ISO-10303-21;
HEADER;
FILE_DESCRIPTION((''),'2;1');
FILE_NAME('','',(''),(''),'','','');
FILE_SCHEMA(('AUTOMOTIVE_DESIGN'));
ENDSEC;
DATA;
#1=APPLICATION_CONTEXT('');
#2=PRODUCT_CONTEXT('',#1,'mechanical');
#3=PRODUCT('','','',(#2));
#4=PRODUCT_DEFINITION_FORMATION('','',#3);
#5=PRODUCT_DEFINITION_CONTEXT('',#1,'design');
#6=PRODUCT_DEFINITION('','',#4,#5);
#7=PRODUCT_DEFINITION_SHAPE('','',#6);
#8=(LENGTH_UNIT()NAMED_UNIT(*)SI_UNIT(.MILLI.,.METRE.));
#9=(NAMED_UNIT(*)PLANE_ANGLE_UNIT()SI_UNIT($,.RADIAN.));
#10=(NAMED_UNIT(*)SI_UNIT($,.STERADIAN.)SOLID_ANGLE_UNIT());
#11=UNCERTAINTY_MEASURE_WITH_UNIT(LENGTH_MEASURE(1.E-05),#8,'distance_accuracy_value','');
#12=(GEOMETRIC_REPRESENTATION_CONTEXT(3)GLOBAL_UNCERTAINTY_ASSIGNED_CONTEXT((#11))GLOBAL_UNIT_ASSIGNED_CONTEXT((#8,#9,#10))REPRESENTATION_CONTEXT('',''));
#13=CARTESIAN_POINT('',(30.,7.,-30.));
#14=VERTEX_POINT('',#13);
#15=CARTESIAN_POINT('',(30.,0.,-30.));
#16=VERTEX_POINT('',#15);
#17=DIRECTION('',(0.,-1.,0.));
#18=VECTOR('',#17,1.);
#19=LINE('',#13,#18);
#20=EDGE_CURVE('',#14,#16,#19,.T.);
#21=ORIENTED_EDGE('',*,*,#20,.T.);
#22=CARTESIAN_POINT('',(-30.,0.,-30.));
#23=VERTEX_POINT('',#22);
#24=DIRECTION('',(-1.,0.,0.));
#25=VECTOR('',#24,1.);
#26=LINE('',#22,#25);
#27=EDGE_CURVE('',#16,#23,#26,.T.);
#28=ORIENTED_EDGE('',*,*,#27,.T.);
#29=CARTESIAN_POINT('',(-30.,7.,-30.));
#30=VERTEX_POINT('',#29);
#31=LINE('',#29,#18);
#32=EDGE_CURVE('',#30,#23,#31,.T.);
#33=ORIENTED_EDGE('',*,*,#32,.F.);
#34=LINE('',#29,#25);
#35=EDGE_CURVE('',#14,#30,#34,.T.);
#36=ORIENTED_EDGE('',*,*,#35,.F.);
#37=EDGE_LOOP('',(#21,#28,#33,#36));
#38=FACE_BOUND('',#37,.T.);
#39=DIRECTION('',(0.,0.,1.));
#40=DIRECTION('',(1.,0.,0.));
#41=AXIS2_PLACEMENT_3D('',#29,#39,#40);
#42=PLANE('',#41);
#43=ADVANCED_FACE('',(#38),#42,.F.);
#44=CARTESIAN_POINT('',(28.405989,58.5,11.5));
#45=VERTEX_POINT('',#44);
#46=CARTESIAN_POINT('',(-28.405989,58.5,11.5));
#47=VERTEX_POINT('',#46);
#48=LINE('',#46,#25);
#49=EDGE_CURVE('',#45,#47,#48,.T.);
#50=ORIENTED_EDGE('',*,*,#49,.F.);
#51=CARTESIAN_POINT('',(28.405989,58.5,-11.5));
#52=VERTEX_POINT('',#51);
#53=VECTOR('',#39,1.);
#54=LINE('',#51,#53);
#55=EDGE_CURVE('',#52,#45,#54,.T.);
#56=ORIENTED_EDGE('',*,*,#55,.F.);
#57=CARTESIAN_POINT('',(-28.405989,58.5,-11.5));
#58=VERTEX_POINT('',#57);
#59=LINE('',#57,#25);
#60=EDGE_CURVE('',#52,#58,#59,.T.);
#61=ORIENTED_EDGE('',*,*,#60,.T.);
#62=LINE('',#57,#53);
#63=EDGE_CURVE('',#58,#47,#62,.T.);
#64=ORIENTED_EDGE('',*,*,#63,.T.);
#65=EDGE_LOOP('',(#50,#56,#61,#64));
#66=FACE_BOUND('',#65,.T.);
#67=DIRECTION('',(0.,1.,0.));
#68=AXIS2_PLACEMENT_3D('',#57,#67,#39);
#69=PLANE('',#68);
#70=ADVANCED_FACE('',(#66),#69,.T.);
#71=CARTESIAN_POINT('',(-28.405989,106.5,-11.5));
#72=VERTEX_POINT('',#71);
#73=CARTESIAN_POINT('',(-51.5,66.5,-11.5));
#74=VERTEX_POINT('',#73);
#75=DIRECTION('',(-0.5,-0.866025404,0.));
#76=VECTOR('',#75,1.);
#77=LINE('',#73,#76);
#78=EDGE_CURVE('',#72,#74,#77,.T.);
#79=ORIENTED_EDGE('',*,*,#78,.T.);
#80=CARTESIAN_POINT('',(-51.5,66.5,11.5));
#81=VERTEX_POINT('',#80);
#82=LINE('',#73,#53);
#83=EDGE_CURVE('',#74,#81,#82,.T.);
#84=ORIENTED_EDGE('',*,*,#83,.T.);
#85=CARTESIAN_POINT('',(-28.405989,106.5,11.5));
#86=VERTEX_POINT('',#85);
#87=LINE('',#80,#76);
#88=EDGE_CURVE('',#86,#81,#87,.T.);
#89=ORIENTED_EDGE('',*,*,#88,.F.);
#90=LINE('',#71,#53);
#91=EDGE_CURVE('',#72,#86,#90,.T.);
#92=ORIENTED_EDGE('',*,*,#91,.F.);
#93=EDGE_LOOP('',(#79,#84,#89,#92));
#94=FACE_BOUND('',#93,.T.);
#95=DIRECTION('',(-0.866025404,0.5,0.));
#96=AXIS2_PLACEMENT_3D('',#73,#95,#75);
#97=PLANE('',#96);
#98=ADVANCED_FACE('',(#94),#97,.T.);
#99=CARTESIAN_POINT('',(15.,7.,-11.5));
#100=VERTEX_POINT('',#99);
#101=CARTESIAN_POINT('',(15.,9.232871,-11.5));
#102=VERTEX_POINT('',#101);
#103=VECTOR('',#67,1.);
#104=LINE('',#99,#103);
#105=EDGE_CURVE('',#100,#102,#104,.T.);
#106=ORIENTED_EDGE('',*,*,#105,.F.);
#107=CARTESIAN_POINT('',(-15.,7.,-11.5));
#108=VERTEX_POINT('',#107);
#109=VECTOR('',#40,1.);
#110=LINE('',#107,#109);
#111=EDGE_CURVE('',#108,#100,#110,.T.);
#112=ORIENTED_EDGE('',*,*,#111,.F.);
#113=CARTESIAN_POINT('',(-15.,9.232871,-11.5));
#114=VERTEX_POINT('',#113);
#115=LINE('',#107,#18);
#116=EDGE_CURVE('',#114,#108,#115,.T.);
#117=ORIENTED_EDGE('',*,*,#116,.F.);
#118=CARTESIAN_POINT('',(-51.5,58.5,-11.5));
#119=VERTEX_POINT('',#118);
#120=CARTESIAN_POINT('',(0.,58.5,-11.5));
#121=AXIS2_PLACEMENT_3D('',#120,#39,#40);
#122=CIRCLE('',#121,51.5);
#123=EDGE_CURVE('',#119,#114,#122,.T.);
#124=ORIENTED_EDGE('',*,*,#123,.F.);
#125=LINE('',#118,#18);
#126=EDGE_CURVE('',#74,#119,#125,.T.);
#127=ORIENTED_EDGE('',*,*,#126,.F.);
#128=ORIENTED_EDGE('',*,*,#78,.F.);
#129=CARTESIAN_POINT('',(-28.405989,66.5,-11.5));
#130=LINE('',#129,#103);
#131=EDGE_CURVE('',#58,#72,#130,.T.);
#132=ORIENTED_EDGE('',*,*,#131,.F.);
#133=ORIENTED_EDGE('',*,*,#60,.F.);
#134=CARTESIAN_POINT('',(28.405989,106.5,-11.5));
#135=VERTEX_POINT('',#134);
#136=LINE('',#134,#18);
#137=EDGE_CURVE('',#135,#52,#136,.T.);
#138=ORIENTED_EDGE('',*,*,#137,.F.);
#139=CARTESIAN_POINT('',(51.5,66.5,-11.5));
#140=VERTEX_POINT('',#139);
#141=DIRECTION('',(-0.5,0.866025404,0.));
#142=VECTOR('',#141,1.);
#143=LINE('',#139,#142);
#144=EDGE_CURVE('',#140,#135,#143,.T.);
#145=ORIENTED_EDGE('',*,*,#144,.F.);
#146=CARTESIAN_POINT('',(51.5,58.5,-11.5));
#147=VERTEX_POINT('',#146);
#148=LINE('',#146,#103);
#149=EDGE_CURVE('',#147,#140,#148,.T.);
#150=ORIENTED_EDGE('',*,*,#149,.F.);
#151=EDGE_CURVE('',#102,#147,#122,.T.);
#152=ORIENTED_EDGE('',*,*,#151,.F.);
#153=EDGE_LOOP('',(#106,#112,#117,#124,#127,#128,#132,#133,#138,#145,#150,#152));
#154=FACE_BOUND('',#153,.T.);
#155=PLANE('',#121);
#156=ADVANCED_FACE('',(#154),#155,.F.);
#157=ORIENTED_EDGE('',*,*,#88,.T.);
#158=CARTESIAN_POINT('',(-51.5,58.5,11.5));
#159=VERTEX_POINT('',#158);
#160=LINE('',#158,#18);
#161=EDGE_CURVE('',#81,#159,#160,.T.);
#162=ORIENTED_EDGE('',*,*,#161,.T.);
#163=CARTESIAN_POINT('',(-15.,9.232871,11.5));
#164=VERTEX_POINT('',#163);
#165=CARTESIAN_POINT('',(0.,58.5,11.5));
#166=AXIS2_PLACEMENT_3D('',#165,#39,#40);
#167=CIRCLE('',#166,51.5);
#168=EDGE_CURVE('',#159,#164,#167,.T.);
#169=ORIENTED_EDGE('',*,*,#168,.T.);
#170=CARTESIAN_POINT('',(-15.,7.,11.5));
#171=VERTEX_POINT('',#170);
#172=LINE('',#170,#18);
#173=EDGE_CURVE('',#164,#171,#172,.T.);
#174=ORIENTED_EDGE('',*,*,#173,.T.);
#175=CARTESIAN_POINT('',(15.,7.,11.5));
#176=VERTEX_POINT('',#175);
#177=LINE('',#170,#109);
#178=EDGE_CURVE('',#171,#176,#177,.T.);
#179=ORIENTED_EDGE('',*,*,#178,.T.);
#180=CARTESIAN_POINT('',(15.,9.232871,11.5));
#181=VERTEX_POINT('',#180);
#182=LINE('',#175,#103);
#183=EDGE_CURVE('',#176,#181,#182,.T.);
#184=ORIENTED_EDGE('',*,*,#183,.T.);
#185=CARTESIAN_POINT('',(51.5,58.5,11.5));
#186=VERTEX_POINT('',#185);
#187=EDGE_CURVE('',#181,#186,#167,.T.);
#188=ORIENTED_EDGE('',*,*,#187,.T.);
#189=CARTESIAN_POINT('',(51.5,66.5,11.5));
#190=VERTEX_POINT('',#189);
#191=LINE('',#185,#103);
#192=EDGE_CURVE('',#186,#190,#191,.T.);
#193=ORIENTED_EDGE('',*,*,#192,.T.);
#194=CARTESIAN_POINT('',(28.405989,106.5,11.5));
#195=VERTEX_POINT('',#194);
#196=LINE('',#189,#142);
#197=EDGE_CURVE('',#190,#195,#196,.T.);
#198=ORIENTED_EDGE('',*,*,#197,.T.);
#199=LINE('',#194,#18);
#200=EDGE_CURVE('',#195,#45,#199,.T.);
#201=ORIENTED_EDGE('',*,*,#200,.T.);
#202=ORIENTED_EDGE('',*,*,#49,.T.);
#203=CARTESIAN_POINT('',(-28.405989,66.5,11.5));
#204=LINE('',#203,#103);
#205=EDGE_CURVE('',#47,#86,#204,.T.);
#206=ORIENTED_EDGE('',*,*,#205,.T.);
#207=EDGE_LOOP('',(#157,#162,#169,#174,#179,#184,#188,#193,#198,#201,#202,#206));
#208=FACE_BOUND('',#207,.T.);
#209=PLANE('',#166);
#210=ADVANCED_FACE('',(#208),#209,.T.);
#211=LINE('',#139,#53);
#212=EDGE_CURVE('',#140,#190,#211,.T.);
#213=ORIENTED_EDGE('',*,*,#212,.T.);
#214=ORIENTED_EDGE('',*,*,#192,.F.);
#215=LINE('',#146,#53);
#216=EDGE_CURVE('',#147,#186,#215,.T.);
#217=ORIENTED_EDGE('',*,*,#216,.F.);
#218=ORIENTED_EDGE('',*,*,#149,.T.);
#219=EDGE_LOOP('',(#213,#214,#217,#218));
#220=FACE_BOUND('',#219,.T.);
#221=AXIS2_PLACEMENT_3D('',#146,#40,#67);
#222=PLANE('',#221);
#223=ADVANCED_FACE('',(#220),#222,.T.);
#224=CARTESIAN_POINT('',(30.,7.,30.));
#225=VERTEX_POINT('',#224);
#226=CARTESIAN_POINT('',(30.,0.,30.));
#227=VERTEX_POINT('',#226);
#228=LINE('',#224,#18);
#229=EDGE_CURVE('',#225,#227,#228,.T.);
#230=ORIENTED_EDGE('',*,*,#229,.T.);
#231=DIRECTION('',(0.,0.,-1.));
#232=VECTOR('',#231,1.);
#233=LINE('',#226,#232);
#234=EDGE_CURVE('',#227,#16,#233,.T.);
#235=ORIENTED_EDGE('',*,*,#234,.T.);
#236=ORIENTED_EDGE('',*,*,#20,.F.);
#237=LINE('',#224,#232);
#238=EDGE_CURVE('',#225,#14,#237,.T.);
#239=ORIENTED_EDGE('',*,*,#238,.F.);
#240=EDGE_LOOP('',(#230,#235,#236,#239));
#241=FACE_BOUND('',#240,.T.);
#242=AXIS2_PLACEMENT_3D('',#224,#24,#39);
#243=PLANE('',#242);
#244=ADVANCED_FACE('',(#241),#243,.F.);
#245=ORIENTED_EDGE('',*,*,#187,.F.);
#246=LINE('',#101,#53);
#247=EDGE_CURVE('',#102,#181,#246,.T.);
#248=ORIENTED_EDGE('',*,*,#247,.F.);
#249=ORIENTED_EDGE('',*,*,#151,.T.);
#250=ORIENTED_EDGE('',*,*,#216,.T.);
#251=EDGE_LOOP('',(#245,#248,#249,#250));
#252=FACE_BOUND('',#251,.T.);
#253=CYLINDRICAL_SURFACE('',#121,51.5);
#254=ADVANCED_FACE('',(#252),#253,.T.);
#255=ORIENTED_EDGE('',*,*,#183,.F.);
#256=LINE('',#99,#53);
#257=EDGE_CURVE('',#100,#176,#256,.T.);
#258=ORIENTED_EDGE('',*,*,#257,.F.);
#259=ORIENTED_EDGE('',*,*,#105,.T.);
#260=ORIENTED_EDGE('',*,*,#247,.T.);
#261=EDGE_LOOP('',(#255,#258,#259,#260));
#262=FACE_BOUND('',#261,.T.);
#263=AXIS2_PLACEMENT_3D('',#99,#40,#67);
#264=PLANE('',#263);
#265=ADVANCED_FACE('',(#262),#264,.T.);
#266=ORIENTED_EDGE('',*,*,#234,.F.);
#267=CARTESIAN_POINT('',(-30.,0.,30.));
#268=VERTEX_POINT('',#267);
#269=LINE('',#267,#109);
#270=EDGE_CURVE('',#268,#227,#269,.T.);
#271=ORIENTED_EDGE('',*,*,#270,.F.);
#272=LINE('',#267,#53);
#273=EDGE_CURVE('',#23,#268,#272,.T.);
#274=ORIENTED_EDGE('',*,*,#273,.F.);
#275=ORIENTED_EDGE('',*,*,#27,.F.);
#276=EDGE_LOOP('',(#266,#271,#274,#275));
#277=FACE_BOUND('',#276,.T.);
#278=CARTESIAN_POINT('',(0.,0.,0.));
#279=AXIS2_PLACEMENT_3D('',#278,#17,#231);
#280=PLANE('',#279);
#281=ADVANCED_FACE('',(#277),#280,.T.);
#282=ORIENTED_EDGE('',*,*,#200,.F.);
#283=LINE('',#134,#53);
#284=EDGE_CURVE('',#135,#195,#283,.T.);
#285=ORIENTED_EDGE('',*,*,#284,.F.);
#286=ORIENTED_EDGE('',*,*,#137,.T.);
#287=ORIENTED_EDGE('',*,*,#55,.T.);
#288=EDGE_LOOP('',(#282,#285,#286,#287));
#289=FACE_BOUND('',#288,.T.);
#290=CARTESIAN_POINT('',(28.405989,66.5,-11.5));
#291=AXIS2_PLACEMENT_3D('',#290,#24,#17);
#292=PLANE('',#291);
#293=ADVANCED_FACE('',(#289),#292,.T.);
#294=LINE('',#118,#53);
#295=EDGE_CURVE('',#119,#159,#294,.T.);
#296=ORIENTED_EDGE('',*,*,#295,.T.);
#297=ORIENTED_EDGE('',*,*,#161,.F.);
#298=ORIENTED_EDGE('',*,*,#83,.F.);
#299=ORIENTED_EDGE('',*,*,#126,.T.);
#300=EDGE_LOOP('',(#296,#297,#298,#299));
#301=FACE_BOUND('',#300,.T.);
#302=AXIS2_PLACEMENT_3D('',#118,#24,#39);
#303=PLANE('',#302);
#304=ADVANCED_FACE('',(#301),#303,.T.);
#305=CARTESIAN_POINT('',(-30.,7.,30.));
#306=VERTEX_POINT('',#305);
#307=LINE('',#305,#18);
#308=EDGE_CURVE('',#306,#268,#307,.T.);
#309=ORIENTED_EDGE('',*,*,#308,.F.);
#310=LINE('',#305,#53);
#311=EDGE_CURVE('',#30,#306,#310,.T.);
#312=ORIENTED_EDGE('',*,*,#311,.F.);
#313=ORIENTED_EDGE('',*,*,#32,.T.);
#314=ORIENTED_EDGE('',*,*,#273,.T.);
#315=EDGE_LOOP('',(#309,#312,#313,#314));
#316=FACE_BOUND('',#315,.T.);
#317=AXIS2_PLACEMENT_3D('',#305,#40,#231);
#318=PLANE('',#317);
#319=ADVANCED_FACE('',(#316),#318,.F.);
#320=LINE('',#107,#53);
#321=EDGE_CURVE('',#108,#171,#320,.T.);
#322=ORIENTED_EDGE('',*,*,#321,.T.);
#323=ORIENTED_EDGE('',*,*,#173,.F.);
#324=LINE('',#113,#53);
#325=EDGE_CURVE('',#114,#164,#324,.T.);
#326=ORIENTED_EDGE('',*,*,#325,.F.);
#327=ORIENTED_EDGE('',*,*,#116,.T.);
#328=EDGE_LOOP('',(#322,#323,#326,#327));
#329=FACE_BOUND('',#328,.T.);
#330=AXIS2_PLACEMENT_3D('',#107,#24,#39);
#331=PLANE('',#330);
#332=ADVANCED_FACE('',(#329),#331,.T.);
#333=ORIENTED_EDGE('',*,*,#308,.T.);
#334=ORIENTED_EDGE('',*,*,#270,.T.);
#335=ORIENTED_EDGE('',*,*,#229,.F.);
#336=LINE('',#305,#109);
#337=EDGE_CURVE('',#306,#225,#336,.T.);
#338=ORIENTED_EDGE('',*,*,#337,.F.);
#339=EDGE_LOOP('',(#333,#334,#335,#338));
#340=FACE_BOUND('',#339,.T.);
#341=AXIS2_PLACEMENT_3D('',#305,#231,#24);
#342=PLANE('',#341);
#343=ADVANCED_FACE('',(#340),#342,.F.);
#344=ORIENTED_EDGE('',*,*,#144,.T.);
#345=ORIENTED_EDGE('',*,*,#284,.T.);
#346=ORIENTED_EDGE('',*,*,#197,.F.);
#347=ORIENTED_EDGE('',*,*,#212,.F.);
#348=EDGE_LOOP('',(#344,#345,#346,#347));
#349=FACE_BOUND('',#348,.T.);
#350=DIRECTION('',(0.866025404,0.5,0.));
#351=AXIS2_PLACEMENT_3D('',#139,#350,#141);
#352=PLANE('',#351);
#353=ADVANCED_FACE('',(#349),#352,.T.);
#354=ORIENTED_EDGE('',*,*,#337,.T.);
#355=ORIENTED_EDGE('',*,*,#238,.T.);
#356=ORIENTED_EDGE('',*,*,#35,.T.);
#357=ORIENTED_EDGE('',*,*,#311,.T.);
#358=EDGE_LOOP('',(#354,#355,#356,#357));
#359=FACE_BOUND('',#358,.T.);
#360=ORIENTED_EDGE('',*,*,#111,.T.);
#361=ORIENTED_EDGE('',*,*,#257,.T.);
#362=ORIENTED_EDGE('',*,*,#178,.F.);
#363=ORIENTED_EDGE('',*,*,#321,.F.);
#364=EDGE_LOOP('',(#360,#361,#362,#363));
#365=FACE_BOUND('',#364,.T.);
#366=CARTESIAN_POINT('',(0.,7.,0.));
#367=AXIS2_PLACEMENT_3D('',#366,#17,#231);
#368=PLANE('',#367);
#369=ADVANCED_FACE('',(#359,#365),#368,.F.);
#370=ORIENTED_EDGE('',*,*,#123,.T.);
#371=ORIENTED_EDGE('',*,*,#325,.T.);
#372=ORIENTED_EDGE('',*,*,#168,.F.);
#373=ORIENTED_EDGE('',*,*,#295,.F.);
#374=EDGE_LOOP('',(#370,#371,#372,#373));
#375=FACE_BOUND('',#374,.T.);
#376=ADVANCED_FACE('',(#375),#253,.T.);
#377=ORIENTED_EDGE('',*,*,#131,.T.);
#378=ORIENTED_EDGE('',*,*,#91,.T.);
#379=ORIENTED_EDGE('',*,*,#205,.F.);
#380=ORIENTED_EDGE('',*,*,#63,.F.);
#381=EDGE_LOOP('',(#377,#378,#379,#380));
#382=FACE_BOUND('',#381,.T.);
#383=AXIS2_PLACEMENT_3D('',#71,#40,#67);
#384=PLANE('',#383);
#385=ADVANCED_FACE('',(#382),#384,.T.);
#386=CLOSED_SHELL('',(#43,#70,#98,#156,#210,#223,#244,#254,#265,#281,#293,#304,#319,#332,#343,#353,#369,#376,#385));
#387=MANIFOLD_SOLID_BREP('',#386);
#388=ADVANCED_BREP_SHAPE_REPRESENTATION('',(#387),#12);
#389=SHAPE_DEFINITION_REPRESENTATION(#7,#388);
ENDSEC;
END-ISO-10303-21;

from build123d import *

# Parameters (mm, degrees)
SKETCH_2_W           = 60
SKETCH_2_H           = 60
EXTRUDE_1_DEPTH      = 7
EXTRUDE_2_DEPTH      = 11.5
EXTRUDE_2_DEPTH_BACK = 11.5


with BuildPart() as part:
    # 草图2 → 凸台-拉伸1 (new body)
    with BuildSketch(Plane(origin=(0, 0, 0), x_dir=(1, 0, 0), z_dir=(0, 1, 0))):
        Rectangle(SKETCH_2_W, SKETCH_2_H)
    extrude(amount=EXTRUDE_1_DEPTH)

    # 草图3 → 凸台-拉伸2 (add, two sides: drawn at the far end of the back side and taken through both)
    with BuildSketch(Plane.XY.offset(-EXTRUDE_2_DEPTH_BACK)):
        with BuildLine():
            Line((-28.405989232, 58.5), (28.405989232, 58.5))
            Line((28.405989232, 58.5), (28.405989232, 66.5))
            Line((28.405989232, 66.5), (28.405989232, 106.5))
            Line((28.405989232, 106.5), (51.5, 66.5))
            Line((51.5, 66.5), (51.5, 58.5))
            ThreePointArc((51.5, 58.5), (41.38085306, 27.842619159), (15, 9.232870999))
            Line((15, 9.232870999), (15, 7))
            Line((15, 7), (-15, 7))
            Line((-15, 7), (-15, 9.232870999))
            ThreePointArc((-15, 9.232870999), (-41.38085306, 27.842619159), (-51.5, 58.5))
            Line((-51.5, 58.5), (-51.5, 66.5))
            Line((-51.5, 66.5), (-28.405989232, 106.5))
            Line((-28.405989232, 106.5), (-28.405989232, 66.5))
            Line((-28.405989232, 66.5), (-28.405989232, 58.5))
        make_face()
    extrude(amount=EXTRUDE_2_DEPTH + EXTRUDE_2_DEPTH_BACK)


solid = part.part
